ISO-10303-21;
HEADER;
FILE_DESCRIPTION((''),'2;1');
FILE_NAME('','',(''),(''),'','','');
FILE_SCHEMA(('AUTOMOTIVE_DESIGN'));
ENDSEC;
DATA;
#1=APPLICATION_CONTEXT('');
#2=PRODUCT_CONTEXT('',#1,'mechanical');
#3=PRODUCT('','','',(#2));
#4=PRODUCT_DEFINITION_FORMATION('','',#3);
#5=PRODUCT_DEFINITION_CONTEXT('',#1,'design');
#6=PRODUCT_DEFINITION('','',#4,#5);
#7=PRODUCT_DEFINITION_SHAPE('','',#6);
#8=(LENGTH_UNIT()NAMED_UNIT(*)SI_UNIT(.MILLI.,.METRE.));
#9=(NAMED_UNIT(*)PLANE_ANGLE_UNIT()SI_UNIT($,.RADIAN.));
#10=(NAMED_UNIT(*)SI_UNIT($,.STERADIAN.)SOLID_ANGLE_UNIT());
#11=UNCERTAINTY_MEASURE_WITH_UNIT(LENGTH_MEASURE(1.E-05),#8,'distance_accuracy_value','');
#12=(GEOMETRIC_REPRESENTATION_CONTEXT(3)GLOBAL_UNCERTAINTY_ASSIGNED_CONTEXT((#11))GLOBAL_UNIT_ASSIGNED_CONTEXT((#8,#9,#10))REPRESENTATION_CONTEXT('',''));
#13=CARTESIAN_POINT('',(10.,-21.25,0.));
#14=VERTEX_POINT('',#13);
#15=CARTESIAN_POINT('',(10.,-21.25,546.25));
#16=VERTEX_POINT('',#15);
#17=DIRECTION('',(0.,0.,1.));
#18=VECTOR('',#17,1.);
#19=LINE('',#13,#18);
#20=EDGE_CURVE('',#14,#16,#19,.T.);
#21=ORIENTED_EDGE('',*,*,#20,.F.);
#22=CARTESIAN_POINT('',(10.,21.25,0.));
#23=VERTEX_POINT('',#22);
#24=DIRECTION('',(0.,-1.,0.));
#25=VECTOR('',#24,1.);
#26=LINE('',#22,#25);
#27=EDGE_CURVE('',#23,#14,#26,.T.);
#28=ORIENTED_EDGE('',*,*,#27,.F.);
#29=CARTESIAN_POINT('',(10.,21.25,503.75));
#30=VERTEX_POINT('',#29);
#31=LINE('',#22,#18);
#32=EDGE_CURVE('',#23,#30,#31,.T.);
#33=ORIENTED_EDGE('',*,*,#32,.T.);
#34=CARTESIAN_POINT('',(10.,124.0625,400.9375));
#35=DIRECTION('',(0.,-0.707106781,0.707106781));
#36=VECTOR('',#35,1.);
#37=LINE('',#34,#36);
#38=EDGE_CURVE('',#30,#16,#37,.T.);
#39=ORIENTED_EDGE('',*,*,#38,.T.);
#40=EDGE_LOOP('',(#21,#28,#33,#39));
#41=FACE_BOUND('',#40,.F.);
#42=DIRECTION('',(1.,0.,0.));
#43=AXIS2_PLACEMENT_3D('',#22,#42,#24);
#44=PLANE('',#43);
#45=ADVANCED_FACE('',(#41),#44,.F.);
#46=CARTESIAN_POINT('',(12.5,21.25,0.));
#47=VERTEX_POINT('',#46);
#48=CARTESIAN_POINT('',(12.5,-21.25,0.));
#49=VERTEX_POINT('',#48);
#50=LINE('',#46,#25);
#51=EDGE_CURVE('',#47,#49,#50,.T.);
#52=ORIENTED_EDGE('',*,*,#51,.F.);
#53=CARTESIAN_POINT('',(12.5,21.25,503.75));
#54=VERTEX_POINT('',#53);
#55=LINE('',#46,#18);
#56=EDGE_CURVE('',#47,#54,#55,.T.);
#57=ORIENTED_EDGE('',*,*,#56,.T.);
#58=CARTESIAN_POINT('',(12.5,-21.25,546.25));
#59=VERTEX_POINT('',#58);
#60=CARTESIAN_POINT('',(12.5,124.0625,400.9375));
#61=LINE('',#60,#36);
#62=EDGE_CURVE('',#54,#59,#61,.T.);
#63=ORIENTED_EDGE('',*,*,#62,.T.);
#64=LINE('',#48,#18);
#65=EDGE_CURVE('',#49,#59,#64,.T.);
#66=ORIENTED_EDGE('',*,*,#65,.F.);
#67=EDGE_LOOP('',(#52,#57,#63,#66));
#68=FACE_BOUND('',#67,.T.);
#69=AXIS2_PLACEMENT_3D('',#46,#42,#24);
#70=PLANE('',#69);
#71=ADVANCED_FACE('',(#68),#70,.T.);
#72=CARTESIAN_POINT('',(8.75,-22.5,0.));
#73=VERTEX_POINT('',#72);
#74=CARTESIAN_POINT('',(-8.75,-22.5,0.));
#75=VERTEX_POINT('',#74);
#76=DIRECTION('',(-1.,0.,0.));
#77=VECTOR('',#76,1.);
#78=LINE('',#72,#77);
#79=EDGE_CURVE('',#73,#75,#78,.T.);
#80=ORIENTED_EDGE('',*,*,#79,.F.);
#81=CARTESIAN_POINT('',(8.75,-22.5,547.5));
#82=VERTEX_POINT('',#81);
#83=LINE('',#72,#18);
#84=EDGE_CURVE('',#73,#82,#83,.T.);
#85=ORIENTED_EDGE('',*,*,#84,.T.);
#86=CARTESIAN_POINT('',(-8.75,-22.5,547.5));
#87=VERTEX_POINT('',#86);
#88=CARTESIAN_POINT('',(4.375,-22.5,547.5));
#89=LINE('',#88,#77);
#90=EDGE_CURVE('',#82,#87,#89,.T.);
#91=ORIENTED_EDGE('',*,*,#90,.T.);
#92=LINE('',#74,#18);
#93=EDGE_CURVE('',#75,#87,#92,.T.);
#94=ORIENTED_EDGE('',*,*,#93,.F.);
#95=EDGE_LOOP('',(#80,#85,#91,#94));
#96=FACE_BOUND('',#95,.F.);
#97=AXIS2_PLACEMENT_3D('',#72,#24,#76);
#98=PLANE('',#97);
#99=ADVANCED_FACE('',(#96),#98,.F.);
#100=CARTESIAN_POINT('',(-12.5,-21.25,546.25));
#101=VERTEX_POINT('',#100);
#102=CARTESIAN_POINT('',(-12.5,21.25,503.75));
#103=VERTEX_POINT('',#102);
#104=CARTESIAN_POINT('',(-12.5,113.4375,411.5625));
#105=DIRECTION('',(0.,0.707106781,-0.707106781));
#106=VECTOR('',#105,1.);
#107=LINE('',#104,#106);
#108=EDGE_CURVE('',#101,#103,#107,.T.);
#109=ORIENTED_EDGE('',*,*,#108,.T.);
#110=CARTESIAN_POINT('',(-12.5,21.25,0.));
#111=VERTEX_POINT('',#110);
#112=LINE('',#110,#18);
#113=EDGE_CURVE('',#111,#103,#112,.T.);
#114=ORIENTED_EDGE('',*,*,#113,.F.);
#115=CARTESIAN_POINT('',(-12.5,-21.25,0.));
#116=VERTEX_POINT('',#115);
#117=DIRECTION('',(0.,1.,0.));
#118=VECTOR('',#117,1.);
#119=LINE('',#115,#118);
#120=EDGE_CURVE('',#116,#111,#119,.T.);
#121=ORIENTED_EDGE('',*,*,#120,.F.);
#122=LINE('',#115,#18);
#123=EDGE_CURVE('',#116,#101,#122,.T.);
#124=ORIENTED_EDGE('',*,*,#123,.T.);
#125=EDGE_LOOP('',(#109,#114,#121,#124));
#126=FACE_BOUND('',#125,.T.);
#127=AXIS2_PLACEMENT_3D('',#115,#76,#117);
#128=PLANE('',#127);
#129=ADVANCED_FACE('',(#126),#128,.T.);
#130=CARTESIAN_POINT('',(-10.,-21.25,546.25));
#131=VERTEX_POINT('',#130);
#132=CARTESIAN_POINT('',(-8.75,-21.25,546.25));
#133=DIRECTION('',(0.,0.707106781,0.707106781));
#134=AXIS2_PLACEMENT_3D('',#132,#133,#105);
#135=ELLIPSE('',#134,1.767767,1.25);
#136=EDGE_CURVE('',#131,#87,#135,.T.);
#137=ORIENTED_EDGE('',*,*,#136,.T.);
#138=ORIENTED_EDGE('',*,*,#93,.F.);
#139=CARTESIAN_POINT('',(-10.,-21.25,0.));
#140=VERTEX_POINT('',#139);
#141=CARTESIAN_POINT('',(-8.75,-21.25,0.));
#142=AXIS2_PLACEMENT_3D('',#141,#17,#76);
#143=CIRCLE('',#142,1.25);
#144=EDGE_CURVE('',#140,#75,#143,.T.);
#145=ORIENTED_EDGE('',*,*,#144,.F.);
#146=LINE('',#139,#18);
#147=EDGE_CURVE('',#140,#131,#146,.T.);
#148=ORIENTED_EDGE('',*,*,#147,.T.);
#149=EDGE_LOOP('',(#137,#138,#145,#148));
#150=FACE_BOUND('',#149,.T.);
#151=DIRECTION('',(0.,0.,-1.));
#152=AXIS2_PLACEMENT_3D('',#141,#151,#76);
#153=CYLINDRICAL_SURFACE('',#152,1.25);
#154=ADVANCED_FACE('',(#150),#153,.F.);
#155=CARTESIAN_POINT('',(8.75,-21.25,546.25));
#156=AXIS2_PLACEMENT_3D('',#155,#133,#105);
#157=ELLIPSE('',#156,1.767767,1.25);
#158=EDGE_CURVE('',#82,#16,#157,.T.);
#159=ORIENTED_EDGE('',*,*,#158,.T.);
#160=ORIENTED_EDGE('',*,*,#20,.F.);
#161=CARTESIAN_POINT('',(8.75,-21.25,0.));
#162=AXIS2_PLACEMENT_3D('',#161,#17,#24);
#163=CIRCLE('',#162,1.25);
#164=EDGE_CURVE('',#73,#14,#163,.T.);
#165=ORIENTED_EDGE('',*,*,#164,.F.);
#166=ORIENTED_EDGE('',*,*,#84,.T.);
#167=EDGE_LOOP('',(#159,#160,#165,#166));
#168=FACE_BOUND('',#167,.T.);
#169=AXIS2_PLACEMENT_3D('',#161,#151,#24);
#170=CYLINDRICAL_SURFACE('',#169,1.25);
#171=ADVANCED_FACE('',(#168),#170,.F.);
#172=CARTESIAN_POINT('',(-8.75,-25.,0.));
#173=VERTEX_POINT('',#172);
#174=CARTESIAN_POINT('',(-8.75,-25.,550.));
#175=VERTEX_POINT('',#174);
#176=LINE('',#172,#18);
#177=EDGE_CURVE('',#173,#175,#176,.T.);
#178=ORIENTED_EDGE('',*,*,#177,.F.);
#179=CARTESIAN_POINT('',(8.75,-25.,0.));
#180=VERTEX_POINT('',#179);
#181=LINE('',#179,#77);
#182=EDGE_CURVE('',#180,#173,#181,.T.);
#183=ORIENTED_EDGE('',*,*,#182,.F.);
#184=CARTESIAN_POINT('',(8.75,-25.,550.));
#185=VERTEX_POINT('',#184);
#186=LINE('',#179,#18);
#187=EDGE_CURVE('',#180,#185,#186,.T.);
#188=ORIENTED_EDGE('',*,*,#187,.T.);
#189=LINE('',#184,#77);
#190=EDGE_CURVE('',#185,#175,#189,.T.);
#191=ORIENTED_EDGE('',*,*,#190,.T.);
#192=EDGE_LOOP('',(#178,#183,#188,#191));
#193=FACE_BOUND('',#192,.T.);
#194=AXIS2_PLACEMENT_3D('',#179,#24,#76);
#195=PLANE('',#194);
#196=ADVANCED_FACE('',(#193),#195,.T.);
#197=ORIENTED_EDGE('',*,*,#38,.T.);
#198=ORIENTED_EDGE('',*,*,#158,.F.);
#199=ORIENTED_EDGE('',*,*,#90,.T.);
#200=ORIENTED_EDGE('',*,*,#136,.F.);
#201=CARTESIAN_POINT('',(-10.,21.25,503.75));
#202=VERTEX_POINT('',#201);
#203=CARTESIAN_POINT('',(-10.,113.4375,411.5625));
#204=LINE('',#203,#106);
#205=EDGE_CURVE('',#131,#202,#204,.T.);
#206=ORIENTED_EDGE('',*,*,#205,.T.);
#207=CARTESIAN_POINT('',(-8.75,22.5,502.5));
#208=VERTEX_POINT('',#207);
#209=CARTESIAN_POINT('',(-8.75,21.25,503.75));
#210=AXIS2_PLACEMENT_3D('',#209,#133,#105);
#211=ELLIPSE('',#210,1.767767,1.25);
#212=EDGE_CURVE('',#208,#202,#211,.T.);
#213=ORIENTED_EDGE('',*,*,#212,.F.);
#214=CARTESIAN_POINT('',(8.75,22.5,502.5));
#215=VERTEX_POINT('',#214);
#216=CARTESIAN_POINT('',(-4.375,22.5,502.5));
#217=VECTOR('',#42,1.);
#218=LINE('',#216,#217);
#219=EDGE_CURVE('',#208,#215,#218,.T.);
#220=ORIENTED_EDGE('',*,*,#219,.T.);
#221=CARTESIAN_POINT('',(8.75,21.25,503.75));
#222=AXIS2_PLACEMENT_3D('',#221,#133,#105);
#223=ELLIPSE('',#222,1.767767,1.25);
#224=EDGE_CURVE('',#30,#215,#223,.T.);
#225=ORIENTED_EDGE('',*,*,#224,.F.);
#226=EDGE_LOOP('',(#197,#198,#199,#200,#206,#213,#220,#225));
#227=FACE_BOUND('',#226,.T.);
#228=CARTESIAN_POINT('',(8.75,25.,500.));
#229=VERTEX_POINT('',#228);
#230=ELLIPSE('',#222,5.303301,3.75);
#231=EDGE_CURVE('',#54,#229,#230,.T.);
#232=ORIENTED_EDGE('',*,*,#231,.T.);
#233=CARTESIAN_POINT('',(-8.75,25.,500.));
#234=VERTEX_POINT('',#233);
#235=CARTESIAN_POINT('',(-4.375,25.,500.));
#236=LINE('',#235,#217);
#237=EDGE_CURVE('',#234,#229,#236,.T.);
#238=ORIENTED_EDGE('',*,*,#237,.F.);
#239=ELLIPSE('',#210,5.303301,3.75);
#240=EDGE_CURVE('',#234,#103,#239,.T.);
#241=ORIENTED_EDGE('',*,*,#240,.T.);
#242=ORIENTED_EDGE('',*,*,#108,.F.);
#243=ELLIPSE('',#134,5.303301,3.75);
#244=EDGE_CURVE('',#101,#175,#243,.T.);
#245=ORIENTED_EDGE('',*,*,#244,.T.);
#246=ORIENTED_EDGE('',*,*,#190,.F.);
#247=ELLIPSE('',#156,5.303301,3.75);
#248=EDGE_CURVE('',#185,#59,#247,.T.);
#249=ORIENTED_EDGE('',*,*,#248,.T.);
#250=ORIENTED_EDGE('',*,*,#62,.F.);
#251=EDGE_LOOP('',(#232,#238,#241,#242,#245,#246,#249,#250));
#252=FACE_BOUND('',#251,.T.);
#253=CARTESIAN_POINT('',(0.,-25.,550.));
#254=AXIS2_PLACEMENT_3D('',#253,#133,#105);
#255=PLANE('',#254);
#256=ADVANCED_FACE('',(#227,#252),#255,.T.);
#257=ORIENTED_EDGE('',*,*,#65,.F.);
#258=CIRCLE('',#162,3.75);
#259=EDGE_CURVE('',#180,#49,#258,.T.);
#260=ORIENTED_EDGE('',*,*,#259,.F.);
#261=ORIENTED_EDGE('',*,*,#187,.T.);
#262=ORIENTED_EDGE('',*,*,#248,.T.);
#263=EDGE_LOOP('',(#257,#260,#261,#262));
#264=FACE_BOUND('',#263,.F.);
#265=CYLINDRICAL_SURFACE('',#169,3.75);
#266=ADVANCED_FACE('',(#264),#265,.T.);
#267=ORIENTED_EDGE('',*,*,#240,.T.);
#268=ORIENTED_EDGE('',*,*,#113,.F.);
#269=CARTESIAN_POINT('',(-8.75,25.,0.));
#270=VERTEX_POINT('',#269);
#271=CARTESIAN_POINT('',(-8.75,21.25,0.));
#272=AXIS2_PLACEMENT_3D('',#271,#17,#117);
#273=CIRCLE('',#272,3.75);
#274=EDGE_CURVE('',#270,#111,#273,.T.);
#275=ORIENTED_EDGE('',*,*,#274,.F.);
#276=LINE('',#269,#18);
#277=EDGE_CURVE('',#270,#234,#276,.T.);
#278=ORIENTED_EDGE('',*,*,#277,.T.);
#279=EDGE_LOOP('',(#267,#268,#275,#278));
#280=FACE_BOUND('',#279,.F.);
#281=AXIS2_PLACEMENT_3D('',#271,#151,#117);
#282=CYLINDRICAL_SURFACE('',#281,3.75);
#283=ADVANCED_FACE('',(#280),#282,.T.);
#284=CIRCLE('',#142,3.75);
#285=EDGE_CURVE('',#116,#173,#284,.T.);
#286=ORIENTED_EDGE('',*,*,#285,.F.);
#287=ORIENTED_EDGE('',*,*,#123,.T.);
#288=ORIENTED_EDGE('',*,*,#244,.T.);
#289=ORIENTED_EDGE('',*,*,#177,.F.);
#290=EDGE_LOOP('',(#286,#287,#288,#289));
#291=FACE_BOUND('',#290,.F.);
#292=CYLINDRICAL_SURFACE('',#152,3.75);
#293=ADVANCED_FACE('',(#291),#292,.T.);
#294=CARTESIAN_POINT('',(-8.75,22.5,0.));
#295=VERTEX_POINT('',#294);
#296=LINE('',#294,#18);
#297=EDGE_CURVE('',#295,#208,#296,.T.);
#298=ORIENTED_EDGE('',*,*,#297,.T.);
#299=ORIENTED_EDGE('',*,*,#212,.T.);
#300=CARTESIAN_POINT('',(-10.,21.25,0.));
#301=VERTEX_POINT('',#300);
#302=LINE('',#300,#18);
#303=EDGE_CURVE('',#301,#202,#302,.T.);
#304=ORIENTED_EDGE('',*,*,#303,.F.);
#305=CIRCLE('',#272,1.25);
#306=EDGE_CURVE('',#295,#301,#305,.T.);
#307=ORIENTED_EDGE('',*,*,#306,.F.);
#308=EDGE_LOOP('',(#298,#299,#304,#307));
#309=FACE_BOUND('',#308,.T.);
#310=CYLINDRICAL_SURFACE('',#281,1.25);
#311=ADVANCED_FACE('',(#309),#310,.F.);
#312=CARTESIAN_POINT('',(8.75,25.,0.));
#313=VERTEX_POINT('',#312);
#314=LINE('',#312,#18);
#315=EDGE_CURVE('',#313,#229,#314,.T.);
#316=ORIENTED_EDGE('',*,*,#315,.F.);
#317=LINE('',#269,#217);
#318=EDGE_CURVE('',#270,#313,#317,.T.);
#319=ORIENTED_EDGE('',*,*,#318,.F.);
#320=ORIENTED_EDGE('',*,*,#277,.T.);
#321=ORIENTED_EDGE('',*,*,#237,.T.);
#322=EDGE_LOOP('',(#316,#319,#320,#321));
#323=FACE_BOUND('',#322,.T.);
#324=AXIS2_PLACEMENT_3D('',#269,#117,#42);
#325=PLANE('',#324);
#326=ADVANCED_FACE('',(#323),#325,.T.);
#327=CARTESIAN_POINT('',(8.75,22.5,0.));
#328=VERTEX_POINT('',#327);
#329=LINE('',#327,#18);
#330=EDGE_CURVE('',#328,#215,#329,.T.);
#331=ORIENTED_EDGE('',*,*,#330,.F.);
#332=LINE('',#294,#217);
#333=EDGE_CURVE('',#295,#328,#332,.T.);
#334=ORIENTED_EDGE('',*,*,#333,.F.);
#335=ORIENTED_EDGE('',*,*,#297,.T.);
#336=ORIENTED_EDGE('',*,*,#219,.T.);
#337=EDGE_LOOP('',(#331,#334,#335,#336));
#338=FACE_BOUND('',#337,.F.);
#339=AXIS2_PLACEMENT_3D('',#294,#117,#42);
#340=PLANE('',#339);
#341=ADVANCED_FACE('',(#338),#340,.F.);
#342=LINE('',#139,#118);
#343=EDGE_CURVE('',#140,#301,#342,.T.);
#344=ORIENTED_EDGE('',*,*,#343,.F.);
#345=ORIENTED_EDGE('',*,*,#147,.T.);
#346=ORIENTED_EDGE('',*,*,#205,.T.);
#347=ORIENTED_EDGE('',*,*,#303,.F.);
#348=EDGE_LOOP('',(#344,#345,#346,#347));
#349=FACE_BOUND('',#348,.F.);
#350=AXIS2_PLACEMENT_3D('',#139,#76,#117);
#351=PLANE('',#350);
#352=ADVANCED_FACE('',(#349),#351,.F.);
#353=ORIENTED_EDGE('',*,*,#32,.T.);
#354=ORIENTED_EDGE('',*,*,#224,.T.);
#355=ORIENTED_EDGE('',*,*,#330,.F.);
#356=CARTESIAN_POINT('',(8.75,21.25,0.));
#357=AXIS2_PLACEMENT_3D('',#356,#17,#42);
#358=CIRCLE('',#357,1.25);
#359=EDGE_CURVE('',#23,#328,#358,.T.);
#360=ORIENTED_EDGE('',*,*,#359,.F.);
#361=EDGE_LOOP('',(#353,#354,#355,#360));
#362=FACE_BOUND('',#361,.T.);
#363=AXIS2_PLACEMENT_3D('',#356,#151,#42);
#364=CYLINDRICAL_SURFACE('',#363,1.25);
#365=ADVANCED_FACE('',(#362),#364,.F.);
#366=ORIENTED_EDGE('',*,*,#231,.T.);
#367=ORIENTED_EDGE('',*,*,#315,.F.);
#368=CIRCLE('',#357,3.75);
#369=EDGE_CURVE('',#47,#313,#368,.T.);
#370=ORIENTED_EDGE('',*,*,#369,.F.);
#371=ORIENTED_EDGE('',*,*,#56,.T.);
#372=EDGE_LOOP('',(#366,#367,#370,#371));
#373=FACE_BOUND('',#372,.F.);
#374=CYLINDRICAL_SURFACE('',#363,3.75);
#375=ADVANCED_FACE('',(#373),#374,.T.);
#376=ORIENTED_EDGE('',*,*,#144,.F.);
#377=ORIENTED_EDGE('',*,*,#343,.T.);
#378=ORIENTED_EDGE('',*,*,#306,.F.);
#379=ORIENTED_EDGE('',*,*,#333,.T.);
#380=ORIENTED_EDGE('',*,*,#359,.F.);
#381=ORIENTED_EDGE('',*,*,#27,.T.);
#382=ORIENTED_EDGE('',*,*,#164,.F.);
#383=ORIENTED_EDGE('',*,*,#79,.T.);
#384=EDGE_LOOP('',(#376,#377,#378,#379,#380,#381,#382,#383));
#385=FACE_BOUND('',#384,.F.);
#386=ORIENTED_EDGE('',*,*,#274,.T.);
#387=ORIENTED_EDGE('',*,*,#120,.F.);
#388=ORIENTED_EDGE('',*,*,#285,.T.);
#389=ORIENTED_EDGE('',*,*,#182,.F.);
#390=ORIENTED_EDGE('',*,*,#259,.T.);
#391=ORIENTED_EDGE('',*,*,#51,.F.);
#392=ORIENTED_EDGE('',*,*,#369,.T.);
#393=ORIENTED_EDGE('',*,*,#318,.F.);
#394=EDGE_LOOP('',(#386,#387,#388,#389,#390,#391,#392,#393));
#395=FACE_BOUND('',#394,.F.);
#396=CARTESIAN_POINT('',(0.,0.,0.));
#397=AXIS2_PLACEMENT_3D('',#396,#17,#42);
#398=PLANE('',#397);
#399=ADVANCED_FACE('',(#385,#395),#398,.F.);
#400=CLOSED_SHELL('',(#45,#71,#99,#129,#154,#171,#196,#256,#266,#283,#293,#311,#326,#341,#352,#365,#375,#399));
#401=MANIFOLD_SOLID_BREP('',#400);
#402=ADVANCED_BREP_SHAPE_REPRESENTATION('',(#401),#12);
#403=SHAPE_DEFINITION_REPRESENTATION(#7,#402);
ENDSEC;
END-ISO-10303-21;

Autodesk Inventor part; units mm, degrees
ref_plane "Plano inicial" through (0, 0, 0) normal (0, 0, 1) x (1, 0, 0)
ref_plane "Plano final" through (0, 0, 550) normal (0, 0, 1) x (1, 0, 0)
sketch "Esboço" plane through (0, 0, 0) normal (0, 0, 1) x (1, 0, 0)
  line L0 (-12.5, -21.25) -> (-12.5, 21.25)
  line L1 (-8.75, 25) -> (8.75, 25)
  line L2 (12.5, 21.25) -> (12.5, -21.25)
  line L3 (8.75, -25) -> (-8.75, -25)
  arc A0 (-12.5, -21.25) -> (-8.75, -25) centre (-8.75, -21.25) ccw
  arc A1 (-8.75, 25) -> (-12.5, 21.25) centre (-8.75, 21.25) ccw
  arc A2 (12.5, 21.25) -> (8.75, 25) centre (8.75, 21.25) ccw
  arc A3 (8.75, -25) -> (12.5, -21.25) centre (8.75, -21.25) ccw
  arc A4 (-8.75, 22.5) -> (-10, 21.25) centre (-8.75, 21.25) ccw
  line L4 (-8.75, 22.5) -> (8.75, 22.5)
  arc A5 (10, 21.25) -> (8.75, 22.5) centre (8.75, 21.25) ccw
  line L5 (10, 21.25) -> (10, -21.25)
  arc A6 (8.75, -22.5) -> (10, -21.25) centre (8.75, -21.25) ccw
  line L6 (8.75, -22.5) -> (-8.75, -22.5)
  arc A7 (-10, -21.25) -> (-8.75, -22.5) centre (-8.75, -21.25) ccw
  line L7 (-10, -21.25) -> (-10, 21.25)
  line L8 (0, 36.0873) -> (0, -36.0873) construction
  line L9 (-18.5873, 0) -> (18.5873, 0) construction
  dimension "d7" = 3.75
  dimension "d10" = 50
  dimension "d11" = 25
  dimension "d12" = 2.5
  dimension "d15" = 25
  dimension "d16" = 12.5
extrude "Corpo" add sketch "Esboço" along normal up to surface (550 mm away) from surface at 0
sketch "Sketch3" plane through (0, 0, 0) normal (0, 0, 1) x (1, 0, 0)
  line L0 (0, 0) -> (10, 0)
ref_plane "Work Plane3" through (0, 0, 0) normal (0, -1, 0) x (1, 0, 0)
sketch "Sketch4" plane through (0, 0, 0) normal (0, -1, 0) x (1, 0, 0)
  line L0 (-2, 0) -> (12, 0)
  line L1 (-2, 550) -> (12, 550)
  dimension "d18" = 550
ref_plane "Plano de trabalho5" through (0, -25, 550) normal (0, 0.7071, 0.7071) x (1, 0, 0)
split "Dividir2" plane through (0, -25, 550) removes the side toward (0, 0.7071, 0.7071)
equation "\"d7\" = G_IR"
equation "\"d10\" = G_H"
equation "\"d11\" = G_W"
equation "\"d12\" = G_T"
equation "\"d15\" = 0.5 * d10"
equation "\"d16\" = 0.5 * d11"
equation "\"d3\" = G_L"
equation "\"G_W\" = 25"
equation "\"G_H\" = 50"
equation "\"G_T\" = 2.5"
equation "\"G_IR\" = 3.75"
equation "\"G_L\" = d18"
equation "\"G_OFFSET_START\" = 0"
equation "\"G_OFFSET_END\" = 0"
properties part number "ISO 50x30x2.5 00000062" material "Aço, suave"
